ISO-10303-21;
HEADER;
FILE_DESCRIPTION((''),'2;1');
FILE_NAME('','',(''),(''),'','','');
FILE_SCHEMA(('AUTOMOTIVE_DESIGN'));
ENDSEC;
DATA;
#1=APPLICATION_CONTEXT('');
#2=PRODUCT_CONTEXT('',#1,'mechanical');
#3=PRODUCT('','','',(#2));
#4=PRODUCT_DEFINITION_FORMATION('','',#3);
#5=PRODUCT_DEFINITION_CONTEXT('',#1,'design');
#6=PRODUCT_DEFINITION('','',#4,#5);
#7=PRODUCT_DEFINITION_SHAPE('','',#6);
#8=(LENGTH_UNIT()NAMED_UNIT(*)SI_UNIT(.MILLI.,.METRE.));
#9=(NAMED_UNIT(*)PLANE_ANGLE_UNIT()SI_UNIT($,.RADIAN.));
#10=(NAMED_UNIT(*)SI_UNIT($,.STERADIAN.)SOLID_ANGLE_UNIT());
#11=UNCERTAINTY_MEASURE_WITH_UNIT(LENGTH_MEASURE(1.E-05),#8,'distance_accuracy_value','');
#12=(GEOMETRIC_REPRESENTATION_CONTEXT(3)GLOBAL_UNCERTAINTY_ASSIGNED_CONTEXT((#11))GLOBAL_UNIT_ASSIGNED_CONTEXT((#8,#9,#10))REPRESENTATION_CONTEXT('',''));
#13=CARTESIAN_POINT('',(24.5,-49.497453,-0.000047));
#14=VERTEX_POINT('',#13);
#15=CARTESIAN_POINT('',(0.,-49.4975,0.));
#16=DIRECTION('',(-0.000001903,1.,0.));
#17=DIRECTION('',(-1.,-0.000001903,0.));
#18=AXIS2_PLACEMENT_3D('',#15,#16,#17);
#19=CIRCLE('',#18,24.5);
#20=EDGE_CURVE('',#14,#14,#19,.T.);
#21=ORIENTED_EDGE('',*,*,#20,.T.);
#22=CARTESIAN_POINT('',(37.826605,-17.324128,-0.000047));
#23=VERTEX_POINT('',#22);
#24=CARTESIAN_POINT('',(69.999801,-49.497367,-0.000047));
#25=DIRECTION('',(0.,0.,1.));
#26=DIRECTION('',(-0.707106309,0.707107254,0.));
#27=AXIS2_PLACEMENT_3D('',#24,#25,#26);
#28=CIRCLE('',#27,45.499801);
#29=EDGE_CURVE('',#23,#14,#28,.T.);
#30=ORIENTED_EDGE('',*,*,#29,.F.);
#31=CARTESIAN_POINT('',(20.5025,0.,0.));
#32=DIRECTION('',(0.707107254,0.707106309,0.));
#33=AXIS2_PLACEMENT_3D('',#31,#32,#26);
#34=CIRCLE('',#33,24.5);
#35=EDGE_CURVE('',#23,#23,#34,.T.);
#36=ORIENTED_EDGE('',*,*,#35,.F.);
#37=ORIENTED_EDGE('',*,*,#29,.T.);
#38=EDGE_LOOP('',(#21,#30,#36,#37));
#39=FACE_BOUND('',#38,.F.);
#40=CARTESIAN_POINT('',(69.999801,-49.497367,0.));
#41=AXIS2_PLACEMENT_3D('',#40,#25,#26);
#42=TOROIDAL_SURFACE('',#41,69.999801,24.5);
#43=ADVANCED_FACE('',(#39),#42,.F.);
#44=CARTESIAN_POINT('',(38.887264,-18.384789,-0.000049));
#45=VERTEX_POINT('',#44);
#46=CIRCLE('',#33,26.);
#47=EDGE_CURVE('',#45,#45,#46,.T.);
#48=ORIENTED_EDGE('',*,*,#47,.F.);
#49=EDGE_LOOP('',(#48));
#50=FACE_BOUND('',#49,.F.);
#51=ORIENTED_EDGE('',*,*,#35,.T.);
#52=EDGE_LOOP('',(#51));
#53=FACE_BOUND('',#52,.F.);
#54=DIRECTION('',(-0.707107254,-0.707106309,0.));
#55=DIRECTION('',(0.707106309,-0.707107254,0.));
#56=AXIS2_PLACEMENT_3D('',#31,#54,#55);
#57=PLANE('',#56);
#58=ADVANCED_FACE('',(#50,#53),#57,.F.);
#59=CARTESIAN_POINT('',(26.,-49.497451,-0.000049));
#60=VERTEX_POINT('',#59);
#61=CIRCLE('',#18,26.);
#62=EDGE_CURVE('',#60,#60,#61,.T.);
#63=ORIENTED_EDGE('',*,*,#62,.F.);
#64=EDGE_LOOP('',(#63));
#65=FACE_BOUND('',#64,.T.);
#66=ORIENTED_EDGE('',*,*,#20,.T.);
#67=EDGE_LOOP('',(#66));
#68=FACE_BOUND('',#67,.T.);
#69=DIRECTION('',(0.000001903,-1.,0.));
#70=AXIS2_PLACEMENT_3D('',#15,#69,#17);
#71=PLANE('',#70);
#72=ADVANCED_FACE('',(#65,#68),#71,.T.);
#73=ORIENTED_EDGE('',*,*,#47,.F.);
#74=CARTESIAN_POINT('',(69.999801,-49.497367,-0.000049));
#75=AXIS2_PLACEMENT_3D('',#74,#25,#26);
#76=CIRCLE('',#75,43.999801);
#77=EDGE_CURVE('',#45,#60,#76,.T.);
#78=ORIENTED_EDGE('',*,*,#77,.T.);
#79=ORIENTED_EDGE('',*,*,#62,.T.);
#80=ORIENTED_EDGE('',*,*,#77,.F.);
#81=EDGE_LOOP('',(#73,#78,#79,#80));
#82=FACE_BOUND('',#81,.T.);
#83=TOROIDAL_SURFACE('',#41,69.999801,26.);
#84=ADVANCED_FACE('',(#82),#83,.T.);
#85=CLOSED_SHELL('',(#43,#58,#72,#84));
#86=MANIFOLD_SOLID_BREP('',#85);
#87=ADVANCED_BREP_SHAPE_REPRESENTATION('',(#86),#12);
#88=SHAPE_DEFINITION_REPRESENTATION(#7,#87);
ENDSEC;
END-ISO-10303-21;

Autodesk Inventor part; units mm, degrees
ref_plane "YZ Plane" through (0, 0, 0) normal (1, 0, 0) x (0, 1, 0)
ref_plane "XZ Plane" through (0, 0, 0) normal (0, 1, 0) x (-1, 0, 0)
sketch "Szkic6" plane through (0, 0, 0) normal (0, 0, 1) x (1, 0, 0)
  line L0 (-29.6067, 0) -> (35.2678, 0) construction
  line L1 (0, 42.3419) -> (0, -58.3726) construction
  arc A0 (20.5025, 0) -> (0, -49.4975) centre (70, -49.4975) ccw
  line L2 (0, -49.4975) -> (70, -49.4975) construction
  line L3 (70, -49.4975) -> (23.6611, -3.1586) construction
  line L4 (20.5025, 0) -> (20.5025, 0)
  line L5 (0, -49.4975) -> (0, -49.4975)
  point P0 (0, 0)
  dimension "d24" = 70
  dimension "d31" = 45
  dimension "d36" = 0
  dimension "d37" = 0
ref_plane "Płaszczyzna konstrukcyjna2" through (0, -49.4975, 0) normal (0, -1, 0) x (1, 0, 0)
sketch "Szkic8" plane through (0, -49.4975, 0) normal (0, -1, 0) x (1, 0, 0)
  circle A0 centre (0, 0) radius 26
  circle A1 centre (0, 0) radius 24.5
  dimension "d32" = 52
  dimension "d33" = 1.5
sweep "Przeciągnięcie2" add profiles "Szkic8" path "Szkic6"
equation "\"d32\" = OD"
equation "\"d33\" = THK"
equation "\"d24\" = R"
equation "\"d31\" = KAT"
equation "\"SzerokośćGięciaPodcięcia\" = Grubość"
equation "\"RozmiarPodcięciaNarożnika\" = 4 * Grubość"
equation "\"PromieńPrzejścia\" = PromieńGięcia"
equation "\"Rozmiar_promienia_Jacobiego\" = PromieńGięcia"
equation "\"Wielk_odstępu\" = Grubość"
equation "\"d2\" = PromieńGięcia"
equation "\"d23\" = PromieńGięcia"
equation "\"R\" = 70"
equation "\"OD\" = 52"
equation "\"THK\" = 1.5"
equation "\"KAT\" = 45deg"
equation "\"PROSTKA\" = 0"
equation "\"Grubość\" = 1.5"
equation "\"PromieńGięcia\" = 3"
properties part number "Kolano 45° ø52x1,5 R70" material "304L"
